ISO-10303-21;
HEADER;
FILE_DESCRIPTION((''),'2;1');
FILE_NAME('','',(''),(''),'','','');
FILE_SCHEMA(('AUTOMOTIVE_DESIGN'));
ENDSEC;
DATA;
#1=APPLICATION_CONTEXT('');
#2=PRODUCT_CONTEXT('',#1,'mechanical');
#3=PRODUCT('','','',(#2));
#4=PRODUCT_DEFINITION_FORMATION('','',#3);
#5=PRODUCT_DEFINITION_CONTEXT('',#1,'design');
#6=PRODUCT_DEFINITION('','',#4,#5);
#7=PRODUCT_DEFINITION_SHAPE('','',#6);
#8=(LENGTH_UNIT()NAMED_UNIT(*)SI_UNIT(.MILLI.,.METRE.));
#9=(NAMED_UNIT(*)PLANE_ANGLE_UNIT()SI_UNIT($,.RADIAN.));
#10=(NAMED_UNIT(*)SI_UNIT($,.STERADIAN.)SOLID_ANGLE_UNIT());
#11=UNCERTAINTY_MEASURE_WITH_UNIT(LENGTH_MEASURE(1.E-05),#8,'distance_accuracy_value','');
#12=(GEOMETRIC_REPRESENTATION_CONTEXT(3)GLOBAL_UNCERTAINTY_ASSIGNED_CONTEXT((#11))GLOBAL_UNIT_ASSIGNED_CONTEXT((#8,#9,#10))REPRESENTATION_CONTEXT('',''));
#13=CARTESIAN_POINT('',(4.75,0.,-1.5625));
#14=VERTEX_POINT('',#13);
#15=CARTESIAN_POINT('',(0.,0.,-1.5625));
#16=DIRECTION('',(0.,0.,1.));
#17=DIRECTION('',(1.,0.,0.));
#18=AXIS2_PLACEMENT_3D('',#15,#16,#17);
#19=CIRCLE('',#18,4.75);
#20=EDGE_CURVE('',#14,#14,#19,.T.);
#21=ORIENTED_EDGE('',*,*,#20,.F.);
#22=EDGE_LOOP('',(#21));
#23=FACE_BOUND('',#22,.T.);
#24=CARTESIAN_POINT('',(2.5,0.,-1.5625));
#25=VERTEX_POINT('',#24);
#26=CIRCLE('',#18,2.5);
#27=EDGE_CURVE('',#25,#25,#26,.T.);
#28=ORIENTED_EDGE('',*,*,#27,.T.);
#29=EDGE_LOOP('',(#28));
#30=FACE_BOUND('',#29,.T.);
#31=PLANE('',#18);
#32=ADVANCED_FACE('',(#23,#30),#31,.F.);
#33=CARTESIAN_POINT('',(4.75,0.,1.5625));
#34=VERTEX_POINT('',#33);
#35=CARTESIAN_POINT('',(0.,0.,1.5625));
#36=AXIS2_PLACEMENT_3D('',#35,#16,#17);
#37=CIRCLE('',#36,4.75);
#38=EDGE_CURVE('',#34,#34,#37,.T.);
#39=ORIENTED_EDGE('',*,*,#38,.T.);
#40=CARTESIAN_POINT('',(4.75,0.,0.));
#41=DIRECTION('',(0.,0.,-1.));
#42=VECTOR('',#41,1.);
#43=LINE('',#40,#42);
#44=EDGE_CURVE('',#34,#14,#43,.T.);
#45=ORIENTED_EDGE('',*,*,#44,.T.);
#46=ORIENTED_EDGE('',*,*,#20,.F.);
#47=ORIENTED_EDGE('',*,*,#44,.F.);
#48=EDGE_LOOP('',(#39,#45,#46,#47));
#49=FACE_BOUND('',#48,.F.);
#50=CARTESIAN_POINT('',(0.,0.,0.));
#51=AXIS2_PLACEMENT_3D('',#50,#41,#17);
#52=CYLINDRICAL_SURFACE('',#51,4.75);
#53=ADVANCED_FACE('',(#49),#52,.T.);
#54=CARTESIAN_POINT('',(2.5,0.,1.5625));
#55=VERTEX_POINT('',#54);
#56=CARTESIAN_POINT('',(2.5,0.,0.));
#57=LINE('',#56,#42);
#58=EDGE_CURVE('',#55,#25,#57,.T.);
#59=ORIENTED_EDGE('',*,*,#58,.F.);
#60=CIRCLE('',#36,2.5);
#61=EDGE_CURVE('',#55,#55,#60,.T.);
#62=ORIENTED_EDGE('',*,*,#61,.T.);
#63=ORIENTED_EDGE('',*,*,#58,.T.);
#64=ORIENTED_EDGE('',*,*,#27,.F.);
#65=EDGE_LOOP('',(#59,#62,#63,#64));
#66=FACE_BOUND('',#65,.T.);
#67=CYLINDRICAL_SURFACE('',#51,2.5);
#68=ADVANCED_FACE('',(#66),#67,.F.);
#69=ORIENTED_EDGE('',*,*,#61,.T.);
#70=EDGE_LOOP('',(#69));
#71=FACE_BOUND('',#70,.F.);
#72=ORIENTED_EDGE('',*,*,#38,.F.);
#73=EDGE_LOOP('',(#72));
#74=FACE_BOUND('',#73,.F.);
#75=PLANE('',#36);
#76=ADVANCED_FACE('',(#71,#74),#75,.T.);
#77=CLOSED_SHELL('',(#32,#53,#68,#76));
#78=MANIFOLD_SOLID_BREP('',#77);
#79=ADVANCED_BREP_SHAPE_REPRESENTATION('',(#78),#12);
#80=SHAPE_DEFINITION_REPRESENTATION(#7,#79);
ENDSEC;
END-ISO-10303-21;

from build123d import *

# Parameters (mm, degrees)
SKETCH1_W = 2.25
SKETCH1_H = 3.125


with BuildPart() as part:
    # Sketch1 → Revolve1 (revolve)
    with BuildSketch(Plane(origin=(0, 0, 0), x_dir=(1, 0, 0), z_dir=(0, 1, 0))):
        with Locations((3.625, 0)):
            Rectangle(SKETCH1_W, SKETCH1_H)
    revolve(axis=Axis((0, 0, -1.5625), (0, 0, 1)))


solid = part.part
